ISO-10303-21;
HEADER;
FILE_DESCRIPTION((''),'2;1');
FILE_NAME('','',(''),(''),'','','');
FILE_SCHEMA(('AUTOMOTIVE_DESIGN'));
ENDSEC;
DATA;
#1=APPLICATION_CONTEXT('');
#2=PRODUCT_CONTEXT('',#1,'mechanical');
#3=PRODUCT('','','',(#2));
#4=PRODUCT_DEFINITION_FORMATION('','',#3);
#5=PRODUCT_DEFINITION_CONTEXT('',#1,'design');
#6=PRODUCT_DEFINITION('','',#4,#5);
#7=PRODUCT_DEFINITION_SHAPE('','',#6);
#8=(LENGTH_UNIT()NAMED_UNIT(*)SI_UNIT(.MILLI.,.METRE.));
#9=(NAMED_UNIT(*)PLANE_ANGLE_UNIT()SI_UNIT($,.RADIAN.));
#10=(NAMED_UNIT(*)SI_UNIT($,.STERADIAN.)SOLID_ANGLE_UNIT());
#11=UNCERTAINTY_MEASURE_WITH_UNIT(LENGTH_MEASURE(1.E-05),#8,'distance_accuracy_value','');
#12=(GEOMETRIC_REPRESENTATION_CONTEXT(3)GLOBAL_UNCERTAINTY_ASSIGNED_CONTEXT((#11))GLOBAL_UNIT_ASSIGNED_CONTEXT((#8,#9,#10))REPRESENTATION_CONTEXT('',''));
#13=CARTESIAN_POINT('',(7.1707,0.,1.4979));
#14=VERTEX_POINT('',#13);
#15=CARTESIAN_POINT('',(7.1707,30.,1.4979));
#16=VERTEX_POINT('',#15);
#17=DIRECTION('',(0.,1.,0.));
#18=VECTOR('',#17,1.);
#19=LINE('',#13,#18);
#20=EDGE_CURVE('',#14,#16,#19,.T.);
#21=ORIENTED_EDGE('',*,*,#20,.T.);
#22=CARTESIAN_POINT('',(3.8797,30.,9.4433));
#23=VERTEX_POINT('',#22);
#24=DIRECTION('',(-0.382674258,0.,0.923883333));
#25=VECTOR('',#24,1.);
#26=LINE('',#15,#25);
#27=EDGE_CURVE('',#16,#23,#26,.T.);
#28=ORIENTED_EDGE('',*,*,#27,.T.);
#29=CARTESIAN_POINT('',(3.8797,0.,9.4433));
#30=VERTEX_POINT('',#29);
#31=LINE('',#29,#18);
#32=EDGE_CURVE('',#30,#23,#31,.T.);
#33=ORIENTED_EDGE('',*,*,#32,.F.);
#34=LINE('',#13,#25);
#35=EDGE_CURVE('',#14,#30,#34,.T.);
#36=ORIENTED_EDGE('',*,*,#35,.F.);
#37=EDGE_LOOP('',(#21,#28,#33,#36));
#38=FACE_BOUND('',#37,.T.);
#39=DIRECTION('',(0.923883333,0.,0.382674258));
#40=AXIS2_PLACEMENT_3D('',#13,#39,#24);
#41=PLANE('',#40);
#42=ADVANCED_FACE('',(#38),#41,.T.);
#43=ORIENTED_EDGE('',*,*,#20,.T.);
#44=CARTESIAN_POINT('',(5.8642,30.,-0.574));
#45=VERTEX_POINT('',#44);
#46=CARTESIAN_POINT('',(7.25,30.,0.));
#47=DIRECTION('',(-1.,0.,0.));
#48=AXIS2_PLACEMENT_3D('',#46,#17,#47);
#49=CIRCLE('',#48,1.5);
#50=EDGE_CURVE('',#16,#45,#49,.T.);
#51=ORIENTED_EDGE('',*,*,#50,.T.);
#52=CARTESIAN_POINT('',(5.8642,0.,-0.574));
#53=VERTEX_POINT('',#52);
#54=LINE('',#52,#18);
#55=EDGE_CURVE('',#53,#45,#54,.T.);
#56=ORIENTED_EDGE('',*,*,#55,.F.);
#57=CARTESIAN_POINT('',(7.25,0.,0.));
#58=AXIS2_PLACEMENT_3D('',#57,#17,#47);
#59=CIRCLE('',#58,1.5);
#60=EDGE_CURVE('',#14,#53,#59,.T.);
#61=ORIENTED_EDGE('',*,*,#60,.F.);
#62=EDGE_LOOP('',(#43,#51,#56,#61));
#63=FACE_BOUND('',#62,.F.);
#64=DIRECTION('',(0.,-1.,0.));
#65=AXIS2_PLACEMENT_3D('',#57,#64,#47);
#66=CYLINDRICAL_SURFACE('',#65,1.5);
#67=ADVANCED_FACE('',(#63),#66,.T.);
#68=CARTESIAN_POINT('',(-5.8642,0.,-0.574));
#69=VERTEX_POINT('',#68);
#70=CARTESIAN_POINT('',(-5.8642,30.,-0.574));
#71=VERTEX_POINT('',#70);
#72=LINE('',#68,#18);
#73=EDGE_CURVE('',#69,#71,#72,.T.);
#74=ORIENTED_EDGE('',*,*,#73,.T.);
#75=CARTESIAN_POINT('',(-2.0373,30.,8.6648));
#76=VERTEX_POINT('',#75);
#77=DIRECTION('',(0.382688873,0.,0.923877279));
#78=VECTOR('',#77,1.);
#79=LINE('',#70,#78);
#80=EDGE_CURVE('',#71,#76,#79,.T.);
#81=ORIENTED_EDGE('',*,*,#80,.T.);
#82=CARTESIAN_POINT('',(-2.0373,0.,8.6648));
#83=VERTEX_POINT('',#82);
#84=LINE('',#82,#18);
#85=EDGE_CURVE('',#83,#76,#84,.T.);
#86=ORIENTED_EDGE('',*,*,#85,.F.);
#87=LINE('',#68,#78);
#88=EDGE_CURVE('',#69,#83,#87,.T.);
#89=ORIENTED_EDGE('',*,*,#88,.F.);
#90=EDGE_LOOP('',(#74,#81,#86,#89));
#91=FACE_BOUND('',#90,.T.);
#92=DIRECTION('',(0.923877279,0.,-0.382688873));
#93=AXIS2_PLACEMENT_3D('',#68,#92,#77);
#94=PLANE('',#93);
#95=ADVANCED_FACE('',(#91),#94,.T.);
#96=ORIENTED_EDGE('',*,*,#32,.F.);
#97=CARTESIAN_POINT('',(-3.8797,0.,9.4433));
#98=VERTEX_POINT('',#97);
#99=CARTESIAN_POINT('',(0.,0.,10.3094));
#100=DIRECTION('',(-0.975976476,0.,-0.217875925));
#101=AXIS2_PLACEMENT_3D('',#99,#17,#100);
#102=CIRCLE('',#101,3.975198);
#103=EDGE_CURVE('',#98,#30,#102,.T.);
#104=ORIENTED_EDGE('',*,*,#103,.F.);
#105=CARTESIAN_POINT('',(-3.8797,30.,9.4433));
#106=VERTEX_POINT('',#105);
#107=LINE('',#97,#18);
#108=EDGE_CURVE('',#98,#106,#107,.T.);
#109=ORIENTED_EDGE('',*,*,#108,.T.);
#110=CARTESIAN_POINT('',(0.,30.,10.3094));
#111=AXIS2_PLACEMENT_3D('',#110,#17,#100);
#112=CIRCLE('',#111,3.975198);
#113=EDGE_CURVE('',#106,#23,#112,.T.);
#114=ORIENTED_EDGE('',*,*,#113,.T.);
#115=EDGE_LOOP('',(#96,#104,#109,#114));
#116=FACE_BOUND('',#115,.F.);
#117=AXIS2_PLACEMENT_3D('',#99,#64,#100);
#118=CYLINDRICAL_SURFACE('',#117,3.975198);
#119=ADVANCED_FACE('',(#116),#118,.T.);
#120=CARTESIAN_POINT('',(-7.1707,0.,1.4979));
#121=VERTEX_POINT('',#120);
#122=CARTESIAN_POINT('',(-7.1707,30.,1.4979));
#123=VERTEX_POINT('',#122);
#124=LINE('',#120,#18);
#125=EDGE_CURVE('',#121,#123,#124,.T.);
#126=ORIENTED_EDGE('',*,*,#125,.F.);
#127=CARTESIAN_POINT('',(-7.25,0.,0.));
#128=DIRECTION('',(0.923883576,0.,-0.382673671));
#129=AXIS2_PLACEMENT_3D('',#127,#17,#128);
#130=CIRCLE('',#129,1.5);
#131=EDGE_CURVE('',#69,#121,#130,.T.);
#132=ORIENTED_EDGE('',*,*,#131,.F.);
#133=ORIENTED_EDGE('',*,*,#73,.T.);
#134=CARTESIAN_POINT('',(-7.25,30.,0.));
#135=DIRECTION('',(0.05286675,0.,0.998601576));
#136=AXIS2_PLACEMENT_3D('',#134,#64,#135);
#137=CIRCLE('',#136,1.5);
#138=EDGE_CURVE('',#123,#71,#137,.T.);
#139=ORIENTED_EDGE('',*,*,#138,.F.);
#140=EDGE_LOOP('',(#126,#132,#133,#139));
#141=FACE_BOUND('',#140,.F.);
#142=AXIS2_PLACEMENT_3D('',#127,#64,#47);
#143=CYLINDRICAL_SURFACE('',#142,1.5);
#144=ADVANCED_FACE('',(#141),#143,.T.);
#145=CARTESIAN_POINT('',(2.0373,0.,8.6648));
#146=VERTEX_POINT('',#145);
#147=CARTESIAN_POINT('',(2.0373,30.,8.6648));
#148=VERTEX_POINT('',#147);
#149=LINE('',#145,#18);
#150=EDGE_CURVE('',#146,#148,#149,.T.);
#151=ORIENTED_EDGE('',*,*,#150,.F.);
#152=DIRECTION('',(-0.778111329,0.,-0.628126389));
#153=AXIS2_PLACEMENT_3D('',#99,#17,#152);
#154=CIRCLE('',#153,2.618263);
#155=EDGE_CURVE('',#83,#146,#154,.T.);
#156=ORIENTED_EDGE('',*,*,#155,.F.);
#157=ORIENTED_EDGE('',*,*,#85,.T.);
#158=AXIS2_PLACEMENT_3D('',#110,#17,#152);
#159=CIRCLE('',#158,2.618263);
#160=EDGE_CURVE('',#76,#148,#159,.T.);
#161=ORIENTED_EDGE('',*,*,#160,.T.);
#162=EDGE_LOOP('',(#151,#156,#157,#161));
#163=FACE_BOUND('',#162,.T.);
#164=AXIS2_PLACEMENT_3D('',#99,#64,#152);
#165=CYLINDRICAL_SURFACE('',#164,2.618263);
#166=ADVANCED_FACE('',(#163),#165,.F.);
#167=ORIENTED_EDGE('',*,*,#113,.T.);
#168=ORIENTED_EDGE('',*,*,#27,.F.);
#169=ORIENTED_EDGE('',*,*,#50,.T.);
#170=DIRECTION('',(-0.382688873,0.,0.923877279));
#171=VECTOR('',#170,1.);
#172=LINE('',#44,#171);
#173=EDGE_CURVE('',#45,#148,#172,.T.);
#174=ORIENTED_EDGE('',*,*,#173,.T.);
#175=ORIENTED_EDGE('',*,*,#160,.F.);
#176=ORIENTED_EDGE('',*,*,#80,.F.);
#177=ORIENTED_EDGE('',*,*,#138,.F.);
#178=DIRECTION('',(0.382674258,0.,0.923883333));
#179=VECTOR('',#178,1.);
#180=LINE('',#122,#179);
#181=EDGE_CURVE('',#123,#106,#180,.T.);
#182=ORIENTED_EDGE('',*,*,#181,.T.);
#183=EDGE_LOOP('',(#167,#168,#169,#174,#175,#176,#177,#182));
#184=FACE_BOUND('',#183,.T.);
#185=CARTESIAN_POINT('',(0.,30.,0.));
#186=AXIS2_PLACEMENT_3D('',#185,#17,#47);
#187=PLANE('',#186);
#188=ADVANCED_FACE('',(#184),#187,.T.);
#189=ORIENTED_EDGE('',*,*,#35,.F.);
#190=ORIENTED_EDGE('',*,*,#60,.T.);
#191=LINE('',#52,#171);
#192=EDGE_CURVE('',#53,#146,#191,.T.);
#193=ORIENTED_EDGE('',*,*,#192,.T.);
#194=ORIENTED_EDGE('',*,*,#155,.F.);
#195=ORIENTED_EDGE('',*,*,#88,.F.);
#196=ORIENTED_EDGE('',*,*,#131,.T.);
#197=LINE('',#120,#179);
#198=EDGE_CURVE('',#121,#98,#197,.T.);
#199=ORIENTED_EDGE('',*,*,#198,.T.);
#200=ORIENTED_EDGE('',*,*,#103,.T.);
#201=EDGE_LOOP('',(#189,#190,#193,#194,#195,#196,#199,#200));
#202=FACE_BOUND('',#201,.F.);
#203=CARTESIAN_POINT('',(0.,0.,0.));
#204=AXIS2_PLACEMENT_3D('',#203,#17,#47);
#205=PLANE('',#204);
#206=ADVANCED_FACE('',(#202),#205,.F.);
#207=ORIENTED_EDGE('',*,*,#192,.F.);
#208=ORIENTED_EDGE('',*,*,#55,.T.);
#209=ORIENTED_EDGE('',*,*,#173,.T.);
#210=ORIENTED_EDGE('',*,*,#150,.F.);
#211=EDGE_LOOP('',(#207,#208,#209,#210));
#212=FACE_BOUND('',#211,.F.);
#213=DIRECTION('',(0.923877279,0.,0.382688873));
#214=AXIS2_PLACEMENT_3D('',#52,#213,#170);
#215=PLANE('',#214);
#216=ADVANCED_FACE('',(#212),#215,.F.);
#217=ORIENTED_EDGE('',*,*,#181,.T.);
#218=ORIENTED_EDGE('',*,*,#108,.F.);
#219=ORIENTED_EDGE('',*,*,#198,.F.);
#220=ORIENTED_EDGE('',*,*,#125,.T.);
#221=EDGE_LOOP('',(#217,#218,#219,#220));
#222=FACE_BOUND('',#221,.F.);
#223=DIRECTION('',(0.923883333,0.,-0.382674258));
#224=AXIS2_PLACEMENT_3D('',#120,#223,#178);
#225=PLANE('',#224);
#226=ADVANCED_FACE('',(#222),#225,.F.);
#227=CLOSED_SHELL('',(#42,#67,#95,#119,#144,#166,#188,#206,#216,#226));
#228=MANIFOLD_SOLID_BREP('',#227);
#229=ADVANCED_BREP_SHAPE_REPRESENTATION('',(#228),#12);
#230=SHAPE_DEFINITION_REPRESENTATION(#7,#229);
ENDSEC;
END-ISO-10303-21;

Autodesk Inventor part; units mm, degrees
ref_plane "YZ Plane" through (0, 0, 0) normal (1, 0, 0) x (0, 1, 0)
ref_plane "XZ Plane" through (0, 0, 0) normal (0, 1, 0) x (-1, 0, 0)
ref_plane "XY Plane" through (0, 0, 0) normal (0, 0, 1) x (1, 0, 0)
sketch "Sketch1" plane through (0, 0, 0) normal (0, 1, 0) x (-1, 0, 0)
  line L0 (12.25, 0) -> (-12.25, 0) construction
  line L1 (0, -4.6569) -> (0, 17.4416) construction
  circle A0 centre (7.25, 0) radius 1.5
  line L2 (5.8642, -0.574) -> (2.0373, 8.6648)
  line L3 (7.1707, 1.4979) -> (3.8797, 9.4433)
  circle A1 centre (-7.25, 0) radius 1.5
  line L4 (-5.8642, -0.574) -> (-2.0373, 8.6648)
  line L5 (-7.1707, 1.4979) -> (-3.8797, 9.4433)
  arc A2 (2.0373, 8.6648) -> (-2.0373, 8.6648) centre (0, 10.3094) ccw
  arc A3 (3.8797, 9.4433) -> (-3.8797, 9.4433) centre (0, 10.3094) ccw
  point P0 (0, 0)
  dimension "d0" = 3
  dimension "d1" = 2
  dimension "d2" = 45
  dimension "d3" = 10
  dimension "d4" = 8.6
  dimension "d5" = 14.5
extrude "Extrusion1" add sketch "Sketch1" along normal blind 30
properties part number "20_Rect_Aperture_door_test"
